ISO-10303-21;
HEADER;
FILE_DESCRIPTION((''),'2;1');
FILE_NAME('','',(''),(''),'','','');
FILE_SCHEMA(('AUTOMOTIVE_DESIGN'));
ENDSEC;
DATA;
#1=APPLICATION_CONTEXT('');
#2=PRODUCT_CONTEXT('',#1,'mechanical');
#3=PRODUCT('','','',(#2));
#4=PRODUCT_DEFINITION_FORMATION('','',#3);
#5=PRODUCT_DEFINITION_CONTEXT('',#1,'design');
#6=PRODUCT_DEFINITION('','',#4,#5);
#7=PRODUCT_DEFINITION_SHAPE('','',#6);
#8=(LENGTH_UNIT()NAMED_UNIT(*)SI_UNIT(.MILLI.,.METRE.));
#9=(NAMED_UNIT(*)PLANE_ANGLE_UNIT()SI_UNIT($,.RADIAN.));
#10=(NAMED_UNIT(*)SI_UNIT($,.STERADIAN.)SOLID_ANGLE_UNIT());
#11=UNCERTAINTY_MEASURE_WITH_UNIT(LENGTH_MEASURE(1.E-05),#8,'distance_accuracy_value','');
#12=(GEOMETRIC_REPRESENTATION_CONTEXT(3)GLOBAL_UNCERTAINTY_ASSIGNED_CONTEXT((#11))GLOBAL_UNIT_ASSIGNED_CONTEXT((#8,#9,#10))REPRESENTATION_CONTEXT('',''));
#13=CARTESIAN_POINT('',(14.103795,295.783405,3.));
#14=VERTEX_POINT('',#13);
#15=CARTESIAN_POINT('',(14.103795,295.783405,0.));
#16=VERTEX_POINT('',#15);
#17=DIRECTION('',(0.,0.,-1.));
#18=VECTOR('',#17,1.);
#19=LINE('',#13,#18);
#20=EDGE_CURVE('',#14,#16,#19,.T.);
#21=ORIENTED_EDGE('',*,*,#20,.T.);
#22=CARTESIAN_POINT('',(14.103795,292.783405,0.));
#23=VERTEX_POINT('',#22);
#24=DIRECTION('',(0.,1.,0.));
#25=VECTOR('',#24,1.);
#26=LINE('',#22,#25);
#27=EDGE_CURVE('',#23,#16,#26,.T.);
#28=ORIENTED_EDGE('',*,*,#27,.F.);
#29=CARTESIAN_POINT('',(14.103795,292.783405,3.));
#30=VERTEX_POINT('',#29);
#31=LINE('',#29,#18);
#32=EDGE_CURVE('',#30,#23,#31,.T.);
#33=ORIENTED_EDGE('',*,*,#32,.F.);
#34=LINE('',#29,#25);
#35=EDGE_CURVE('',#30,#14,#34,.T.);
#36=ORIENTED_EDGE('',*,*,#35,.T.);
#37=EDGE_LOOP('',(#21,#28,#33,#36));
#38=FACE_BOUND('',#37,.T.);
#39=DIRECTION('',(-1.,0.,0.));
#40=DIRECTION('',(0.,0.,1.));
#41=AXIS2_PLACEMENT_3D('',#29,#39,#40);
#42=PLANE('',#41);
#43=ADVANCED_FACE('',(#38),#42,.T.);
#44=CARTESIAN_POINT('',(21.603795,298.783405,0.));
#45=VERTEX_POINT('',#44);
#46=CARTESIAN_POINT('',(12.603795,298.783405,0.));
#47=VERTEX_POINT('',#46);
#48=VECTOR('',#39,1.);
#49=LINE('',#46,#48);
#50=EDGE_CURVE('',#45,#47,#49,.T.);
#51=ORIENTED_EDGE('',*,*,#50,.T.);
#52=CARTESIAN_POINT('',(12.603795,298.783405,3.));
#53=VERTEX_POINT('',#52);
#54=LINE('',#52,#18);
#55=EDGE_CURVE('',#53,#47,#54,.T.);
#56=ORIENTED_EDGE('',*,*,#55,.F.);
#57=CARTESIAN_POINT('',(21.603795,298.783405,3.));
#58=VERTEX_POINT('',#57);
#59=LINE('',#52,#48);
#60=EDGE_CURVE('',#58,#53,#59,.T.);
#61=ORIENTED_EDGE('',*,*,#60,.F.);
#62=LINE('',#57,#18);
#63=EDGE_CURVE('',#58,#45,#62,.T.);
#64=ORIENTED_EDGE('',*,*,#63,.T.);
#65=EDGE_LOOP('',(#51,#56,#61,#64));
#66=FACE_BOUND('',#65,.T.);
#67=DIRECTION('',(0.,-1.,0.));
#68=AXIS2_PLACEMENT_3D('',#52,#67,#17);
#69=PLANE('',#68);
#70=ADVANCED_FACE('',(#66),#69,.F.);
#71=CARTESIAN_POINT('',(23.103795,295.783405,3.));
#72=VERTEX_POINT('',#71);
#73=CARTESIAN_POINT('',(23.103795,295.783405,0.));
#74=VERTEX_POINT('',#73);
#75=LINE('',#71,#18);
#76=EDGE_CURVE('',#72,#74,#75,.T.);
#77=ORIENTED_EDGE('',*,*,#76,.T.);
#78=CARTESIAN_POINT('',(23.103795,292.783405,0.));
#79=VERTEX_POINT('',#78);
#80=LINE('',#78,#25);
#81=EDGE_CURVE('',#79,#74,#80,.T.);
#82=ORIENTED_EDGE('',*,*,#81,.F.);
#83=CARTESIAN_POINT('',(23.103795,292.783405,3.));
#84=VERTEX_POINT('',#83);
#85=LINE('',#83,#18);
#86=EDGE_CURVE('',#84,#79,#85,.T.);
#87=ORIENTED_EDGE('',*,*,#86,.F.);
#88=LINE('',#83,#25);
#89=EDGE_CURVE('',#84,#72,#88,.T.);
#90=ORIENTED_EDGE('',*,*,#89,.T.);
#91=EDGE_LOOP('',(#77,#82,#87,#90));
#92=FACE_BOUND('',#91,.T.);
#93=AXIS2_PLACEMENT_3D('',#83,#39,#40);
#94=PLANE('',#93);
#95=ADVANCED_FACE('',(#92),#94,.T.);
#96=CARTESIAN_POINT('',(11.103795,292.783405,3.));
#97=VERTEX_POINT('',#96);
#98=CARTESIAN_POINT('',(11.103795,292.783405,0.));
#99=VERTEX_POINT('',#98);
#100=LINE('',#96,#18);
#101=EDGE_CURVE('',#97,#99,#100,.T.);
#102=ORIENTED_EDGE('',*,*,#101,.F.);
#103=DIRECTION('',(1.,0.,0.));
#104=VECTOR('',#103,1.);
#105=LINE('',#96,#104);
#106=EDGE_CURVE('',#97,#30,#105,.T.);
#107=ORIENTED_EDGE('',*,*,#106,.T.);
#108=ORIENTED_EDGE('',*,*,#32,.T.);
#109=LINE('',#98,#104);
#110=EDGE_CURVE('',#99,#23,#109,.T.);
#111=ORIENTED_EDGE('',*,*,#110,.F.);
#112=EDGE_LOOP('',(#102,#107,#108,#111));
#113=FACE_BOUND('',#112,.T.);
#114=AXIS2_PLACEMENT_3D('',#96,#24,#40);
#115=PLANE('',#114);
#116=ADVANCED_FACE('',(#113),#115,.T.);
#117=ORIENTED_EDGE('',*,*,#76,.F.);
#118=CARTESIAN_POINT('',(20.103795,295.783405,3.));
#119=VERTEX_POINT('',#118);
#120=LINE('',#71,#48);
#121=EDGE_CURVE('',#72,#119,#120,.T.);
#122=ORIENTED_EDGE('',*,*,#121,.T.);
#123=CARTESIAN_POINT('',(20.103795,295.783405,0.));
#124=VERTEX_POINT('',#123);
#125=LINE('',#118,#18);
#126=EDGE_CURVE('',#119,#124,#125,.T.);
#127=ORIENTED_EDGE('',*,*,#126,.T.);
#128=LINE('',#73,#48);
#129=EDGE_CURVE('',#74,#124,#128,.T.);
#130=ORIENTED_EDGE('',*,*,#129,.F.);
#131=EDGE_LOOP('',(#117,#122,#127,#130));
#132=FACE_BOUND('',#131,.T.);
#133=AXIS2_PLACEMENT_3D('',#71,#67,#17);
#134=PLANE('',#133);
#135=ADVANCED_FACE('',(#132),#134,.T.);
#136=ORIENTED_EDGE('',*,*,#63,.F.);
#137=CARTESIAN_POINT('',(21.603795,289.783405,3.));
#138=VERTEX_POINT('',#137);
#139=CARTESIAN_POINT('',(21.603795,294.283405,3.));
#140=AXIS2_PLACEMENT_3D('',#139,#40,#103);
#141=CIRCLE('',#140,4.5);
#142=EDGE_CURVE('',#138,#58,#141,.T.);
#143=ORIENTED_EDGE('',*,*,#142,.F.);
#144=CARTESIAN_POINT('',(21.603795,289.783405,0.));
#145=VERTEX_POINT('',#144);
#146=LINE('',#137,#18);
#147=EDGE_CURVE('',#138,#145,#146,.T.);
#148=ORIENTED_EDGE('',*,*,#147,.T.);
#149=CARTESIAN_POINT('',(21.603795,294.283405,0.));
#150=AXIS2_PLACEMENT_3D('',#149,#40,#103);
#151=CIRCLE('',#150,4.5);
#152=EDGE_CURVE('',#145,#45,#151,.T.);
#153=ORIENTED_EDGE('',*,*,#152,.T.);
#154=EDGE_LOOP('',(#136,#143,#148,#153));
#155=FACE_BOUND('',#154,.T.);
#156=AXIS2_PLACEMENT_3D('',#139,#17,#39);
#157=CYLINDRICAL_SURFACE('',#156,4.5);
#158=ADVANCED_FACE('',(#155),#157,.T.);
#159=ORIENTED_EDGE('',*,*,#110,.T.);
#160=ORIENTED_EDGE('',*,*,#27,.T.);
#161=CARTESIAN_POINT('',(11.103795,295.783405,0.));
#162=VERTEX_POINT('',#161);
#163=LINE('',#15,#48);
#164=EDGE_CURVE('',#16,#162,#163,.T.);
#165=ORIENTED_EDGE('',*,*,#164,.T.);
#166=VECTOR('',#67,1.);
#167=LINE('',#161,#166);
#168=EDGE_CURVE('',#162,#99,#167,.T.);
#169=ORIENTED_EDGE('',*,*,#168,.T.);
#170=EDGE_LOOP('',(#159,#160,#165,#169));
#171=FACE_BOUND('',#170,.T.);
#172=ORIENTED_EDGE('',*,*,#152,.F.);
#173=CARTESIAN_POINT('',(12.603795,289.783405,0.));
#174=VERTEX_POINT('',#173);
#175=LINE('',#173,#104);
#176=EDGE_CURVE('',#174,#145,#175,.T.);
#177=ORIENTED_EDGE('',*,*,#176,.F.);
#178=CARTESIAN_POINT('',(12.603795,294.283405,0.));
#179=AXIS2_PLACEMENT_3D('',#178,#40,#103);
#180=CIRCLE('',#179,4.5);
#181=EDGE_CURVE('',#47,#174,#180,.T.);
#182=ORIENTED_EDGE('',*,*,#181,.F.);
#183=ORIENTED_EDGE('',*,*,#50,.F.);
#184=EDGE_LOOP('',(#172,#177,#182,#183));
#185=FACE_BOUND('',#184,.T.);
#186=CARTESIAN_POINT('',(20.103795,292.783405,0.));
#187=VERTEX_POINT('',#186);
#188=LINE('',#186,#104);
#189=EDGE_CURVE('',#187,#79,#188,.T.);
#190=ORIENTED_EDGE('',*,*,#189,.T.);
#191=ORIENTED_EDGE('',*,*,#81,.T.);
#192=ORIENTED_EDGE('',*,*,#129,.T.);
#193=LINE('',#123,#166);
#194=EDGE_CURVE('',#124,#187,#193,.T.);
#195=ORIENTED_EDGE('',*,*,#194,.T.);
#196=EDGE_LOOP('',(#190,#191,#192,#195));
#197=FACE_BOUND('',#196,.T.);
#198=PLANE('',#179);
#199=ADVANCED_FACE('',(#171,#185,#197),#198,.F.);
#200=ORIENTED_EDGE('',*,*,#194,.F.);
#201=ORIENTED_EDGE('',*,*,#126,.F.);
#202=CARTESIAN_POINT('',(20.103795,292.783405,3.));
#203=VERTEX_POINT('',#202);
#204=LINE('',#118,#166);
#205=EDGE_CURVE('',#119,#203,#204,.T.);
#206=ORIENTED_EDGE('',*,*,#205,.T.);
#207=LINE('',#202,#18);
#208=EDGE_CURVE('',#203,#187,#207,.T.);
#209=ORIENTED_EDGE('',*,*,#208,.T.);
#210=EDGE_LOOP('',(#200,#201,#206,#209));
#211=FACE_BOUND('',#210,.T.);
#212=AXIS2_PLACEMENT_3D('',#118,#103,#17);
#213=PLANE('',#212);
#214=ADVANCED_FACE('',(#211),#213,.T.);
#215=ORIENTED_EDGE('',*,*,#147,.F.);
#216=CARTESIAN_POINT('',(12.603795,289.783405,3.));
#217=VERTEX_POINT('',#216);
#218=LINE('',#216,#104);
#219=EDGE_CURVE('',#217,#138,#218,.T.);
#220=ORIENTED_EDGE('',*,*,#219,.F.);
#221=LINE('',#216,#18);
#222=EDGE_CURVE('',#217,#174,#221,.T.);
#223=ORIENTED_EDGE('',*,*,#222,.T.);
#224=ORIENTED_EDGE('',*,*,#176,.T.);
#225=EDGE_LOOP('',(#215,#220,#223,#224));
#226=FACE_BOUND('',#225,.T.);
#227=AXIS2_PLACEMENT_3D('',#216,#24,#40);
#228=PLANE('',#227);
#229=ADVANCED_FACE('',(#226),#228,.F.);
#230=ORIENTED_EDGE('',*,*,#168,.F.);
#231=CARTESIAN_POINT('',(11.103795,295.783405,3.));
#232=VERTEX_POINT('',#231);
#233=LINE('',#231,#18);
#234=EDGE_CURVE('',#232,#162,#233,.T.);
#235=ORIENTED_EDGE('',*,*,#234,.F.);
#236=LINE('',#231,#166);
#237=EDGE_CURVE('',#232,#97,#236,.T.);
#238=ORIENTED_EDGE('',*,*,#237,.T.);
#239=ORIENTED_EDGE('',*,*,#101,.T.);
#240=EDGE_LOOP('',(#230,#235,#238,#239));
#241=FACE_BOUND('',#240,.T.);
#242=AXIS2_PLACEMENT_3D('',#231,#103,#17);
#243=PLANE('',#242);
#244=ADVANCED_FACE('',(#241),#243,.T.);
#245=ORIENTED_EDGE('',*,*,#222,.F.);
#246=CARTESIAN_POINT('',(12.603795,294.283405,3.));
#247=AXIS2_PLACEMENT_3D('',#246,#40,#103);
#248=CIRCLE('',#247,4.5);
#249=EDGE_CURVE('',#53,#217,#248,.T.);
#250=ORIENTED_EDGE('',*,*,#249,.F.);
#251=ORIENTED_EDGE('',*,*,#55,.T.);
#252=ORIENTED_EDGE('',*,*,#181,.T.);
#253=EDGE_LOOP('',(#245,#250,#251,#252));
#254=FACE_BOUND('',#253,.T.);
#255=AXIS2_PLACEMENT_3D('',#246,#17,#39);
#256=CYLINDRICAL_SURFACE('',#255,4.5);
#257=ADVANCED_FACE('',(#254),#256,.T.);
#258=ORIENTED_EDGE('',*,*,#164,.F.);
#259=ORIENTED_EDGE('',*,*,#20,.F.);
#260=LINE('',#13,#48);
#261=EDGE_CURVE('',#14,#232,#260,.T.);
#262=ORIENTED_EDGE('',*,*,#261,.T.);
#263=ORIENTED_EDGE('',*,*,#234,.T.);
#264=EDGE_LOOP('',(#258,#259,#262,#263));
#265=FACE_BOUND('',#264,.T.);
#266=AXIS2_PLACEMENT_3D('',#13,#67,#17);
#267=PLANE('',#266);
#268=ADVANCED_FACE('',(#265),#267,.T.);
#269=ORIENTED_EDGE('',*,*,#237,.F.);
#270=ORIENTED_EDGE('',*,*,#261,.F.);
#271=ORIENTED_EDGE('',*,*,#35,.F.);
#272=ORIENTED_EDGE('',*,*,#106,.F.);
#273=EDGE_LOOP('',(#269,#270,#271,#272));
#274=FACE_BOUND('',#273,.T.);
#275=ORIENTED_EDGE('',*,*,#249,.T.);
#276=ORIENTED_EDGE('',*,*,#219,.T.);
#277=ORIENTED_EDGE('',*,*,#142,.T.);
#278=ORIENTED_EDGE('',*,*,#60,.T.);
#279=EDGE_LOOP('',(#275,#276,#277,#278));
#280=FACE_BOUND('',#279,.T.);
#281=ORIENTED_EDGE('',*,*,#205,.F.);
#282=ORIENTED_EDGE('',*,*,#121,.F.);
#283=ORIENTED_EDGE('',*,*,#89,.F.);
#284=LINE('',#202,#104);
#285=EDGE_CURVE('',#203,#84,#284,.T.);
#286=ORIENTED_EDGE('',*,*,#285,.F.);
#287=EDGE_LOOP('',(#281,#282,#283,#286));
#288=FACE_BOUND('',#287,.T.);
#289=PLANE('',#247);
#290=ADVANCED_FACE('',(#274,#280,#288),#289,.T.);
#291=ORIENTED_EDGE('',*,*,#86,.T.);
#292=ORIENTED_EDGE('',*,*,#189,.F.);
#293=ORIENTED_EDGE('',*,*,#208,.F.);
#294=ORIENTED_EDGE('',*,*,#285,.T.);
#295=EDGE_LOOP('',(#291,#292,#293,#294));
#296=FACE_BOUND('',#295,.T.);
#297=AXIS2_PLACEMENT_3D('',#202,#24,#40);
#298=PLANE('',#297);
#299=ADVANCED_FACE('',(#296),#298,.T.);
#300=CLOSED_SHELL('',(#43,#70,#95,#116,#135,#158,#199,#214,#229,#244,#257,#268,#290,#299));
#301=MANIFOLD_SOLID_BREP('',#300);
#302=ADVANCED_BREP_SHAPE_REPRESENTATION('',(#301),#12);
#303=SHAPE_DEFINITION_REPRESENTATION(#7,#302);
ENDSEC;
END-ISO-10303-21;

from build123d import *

# Parameters (mm, degrees)
MODEL_W                 = 3
MODEL_H                 = 3
SALIENTE_EXTRUIR1_DEPTH = 3


with BuildPart() as part:
    # Model → Saliente-Extruir1 (new body)
    with BuildSketch(Plane.XY):
        with BuildLine():
            Line((12.603795093, 298.783404974), (21.603795093, 298.783404974))
            ThreePointArc((21.603795093, 298.783404974), (26.103795093, 294.283404974), (21.603795093, 289.783404974))
            Line((21.603795093, 289.783404974), (12.603795093, 289.783404974))
            ThreePointArc((12.603795093, 289.783404974), (8.103795093, 294.283404974), (12.603795093, 298.783404974))
        make_face()
        with Locations((12.603795093, 294.283404974)):
            Rectangle(MODEL_W, MODEL_H, mode=Mode.SUBTRACT)
        with Locations((21.603795093, 294.283404974)):
            Rectangle(MODEL_W, MODEL_H, mode=Mode.SUBTRACT)
    extrude(amount=SALIENTE_EXTRUIR1_DEPTH)


solid = part.part
